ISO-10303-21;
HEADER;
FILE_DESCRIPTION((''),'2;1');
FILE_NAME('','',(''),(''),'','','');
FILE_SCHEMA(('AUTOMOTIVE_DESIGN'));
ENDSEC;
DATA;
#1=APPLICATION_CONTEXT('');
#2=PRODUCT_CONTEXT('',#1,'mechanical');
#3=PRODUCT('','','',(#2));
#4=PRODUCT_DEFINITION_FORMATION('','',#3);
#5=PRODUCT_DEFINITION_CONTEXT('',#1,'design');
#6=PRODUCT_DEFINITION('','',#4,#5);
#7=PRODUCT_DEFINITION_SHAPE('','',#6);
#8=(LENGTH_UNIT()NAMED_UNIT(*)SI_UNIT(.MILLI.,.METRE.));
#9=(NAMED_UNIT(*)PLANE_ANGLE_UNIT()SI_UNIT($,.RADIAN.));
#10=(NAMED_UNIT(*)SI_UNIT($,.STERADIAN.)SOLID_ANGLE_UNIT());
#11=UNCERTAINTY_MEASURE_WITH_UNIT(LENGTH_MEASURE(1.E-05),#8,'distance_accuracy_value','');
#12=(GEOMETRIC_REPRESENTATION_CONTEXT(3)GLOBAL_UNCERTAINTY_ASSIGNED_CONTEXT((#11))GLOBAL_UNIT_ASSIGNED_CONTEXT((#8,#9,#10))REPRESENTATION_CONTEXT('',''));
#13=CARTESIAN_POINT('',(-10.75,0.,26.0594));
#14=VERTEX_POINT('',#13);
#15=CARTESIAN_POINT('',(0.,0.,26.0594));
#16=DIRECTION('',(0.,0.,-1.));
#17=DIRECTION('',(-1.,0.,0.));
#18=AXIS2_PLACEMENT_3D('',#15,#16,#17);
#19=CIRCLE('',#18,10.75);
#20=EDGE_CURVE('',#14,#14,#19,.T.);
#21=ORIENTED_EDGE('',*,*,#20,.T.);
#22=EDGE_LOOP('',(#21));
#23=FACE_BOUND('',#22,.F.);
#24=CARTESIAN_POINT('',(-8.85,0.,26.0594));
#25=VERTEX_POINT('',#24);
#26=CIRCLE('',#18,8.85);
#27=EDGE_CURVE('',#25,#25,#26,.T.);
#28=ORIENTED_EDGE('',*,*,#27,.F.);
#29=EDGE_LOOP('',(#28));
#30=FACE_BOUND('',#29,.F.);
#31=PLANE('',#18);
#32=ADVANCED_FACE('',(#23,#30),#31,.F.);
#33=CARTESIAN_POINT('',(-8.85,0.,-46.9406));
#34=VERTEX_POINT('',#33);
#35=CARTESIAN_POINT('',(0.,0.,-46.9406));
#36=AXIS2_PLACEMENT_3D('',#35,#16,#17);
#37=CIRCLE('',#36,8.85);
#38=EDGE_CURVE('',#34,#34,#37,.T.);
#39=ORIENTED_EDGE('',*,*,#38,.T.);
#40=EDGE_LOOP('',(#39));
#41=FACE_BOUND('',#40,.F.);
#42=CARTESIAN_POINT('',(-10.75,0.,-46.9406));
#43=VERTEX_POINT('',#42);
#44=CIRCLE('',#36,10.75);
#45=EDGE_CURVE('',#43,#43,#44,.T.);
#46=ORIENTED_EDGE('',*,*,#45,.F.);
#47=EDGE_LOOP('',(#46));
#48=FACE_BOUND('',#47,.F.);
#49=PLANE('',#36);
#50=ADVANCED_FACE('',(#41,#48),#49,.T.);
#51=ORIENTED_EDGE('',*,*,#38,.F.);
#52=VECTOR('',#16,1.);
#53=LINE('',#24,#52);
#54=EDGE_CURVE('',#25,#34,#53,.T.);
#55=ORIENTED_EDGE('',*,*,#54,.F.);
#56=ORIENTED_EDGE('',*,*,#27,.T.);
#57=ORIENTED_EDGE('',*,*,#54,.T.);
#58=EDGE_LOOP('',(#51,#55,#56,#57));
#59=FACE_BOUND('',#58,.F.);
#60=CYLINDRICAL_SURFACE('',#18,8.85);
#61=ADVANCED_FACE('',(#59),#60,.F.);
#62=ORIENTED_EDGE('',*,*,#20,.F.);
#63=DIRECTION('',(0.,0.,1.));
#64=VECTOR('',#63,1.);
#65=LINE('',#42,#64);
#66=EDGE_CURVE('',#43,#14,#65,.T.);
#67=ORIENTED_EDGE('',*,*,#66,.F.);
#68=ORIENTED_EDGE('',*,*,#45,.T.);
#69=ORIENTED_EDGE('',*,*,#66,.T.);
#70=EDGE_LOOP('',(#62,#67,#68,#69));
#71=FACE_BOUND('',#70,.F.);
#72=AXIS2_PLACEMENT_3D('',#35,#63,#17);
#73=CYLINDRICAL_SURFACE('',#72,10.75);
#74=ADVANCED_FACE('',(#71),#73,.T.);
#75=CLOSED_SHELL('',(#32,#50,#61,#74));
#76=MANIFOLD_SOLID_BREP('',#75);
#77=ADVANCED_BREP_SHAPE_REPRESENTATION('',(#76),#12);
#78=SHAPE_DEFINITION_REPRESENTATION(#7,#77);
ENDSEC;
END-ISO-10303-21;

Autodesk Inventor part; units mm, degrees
ref_plane "YZ Plane" through (0, 0, 0) normal (1, 0, 0) x (0, 1, 0)
ref_plane "XZ Plane" through (0, 0, 0) normal (0, 1, 0) x (-1, 0, 0)
ref_plane "XY Plane" through (0, 0, 0) normal (0, 0, 1) x (1, 0, 0)
sketch "Sketch1" plane through (0, 0, 0) normal (0, 1, 0) x (-1, 0, 0)
  line L0 (0, 30.5885) -> (0, -49.4115)
  line L1 (10.75, 26.0594) -> (8.85, 26.0594)
  line L2 (8.85, 26.0594) -> (8.85, -46.9406)
  line L3 (8.85, -46.9406) -> (10.75, -46.9406)
  line L4 (10.75, -46.9406) -> (10.75, 26.0594)
  point P0 (0, 0)
  dimension "d0" = 80
  dimension "d1" = 17.7
  dimension "d2" = 21.5
  dimension "d3" = 73
revolve "Revolution1" add sketch "Sketch1" angle 360 about axis through (0, 0, 30.5885) along (0, 0, -1)
properties part number "TuboL"
